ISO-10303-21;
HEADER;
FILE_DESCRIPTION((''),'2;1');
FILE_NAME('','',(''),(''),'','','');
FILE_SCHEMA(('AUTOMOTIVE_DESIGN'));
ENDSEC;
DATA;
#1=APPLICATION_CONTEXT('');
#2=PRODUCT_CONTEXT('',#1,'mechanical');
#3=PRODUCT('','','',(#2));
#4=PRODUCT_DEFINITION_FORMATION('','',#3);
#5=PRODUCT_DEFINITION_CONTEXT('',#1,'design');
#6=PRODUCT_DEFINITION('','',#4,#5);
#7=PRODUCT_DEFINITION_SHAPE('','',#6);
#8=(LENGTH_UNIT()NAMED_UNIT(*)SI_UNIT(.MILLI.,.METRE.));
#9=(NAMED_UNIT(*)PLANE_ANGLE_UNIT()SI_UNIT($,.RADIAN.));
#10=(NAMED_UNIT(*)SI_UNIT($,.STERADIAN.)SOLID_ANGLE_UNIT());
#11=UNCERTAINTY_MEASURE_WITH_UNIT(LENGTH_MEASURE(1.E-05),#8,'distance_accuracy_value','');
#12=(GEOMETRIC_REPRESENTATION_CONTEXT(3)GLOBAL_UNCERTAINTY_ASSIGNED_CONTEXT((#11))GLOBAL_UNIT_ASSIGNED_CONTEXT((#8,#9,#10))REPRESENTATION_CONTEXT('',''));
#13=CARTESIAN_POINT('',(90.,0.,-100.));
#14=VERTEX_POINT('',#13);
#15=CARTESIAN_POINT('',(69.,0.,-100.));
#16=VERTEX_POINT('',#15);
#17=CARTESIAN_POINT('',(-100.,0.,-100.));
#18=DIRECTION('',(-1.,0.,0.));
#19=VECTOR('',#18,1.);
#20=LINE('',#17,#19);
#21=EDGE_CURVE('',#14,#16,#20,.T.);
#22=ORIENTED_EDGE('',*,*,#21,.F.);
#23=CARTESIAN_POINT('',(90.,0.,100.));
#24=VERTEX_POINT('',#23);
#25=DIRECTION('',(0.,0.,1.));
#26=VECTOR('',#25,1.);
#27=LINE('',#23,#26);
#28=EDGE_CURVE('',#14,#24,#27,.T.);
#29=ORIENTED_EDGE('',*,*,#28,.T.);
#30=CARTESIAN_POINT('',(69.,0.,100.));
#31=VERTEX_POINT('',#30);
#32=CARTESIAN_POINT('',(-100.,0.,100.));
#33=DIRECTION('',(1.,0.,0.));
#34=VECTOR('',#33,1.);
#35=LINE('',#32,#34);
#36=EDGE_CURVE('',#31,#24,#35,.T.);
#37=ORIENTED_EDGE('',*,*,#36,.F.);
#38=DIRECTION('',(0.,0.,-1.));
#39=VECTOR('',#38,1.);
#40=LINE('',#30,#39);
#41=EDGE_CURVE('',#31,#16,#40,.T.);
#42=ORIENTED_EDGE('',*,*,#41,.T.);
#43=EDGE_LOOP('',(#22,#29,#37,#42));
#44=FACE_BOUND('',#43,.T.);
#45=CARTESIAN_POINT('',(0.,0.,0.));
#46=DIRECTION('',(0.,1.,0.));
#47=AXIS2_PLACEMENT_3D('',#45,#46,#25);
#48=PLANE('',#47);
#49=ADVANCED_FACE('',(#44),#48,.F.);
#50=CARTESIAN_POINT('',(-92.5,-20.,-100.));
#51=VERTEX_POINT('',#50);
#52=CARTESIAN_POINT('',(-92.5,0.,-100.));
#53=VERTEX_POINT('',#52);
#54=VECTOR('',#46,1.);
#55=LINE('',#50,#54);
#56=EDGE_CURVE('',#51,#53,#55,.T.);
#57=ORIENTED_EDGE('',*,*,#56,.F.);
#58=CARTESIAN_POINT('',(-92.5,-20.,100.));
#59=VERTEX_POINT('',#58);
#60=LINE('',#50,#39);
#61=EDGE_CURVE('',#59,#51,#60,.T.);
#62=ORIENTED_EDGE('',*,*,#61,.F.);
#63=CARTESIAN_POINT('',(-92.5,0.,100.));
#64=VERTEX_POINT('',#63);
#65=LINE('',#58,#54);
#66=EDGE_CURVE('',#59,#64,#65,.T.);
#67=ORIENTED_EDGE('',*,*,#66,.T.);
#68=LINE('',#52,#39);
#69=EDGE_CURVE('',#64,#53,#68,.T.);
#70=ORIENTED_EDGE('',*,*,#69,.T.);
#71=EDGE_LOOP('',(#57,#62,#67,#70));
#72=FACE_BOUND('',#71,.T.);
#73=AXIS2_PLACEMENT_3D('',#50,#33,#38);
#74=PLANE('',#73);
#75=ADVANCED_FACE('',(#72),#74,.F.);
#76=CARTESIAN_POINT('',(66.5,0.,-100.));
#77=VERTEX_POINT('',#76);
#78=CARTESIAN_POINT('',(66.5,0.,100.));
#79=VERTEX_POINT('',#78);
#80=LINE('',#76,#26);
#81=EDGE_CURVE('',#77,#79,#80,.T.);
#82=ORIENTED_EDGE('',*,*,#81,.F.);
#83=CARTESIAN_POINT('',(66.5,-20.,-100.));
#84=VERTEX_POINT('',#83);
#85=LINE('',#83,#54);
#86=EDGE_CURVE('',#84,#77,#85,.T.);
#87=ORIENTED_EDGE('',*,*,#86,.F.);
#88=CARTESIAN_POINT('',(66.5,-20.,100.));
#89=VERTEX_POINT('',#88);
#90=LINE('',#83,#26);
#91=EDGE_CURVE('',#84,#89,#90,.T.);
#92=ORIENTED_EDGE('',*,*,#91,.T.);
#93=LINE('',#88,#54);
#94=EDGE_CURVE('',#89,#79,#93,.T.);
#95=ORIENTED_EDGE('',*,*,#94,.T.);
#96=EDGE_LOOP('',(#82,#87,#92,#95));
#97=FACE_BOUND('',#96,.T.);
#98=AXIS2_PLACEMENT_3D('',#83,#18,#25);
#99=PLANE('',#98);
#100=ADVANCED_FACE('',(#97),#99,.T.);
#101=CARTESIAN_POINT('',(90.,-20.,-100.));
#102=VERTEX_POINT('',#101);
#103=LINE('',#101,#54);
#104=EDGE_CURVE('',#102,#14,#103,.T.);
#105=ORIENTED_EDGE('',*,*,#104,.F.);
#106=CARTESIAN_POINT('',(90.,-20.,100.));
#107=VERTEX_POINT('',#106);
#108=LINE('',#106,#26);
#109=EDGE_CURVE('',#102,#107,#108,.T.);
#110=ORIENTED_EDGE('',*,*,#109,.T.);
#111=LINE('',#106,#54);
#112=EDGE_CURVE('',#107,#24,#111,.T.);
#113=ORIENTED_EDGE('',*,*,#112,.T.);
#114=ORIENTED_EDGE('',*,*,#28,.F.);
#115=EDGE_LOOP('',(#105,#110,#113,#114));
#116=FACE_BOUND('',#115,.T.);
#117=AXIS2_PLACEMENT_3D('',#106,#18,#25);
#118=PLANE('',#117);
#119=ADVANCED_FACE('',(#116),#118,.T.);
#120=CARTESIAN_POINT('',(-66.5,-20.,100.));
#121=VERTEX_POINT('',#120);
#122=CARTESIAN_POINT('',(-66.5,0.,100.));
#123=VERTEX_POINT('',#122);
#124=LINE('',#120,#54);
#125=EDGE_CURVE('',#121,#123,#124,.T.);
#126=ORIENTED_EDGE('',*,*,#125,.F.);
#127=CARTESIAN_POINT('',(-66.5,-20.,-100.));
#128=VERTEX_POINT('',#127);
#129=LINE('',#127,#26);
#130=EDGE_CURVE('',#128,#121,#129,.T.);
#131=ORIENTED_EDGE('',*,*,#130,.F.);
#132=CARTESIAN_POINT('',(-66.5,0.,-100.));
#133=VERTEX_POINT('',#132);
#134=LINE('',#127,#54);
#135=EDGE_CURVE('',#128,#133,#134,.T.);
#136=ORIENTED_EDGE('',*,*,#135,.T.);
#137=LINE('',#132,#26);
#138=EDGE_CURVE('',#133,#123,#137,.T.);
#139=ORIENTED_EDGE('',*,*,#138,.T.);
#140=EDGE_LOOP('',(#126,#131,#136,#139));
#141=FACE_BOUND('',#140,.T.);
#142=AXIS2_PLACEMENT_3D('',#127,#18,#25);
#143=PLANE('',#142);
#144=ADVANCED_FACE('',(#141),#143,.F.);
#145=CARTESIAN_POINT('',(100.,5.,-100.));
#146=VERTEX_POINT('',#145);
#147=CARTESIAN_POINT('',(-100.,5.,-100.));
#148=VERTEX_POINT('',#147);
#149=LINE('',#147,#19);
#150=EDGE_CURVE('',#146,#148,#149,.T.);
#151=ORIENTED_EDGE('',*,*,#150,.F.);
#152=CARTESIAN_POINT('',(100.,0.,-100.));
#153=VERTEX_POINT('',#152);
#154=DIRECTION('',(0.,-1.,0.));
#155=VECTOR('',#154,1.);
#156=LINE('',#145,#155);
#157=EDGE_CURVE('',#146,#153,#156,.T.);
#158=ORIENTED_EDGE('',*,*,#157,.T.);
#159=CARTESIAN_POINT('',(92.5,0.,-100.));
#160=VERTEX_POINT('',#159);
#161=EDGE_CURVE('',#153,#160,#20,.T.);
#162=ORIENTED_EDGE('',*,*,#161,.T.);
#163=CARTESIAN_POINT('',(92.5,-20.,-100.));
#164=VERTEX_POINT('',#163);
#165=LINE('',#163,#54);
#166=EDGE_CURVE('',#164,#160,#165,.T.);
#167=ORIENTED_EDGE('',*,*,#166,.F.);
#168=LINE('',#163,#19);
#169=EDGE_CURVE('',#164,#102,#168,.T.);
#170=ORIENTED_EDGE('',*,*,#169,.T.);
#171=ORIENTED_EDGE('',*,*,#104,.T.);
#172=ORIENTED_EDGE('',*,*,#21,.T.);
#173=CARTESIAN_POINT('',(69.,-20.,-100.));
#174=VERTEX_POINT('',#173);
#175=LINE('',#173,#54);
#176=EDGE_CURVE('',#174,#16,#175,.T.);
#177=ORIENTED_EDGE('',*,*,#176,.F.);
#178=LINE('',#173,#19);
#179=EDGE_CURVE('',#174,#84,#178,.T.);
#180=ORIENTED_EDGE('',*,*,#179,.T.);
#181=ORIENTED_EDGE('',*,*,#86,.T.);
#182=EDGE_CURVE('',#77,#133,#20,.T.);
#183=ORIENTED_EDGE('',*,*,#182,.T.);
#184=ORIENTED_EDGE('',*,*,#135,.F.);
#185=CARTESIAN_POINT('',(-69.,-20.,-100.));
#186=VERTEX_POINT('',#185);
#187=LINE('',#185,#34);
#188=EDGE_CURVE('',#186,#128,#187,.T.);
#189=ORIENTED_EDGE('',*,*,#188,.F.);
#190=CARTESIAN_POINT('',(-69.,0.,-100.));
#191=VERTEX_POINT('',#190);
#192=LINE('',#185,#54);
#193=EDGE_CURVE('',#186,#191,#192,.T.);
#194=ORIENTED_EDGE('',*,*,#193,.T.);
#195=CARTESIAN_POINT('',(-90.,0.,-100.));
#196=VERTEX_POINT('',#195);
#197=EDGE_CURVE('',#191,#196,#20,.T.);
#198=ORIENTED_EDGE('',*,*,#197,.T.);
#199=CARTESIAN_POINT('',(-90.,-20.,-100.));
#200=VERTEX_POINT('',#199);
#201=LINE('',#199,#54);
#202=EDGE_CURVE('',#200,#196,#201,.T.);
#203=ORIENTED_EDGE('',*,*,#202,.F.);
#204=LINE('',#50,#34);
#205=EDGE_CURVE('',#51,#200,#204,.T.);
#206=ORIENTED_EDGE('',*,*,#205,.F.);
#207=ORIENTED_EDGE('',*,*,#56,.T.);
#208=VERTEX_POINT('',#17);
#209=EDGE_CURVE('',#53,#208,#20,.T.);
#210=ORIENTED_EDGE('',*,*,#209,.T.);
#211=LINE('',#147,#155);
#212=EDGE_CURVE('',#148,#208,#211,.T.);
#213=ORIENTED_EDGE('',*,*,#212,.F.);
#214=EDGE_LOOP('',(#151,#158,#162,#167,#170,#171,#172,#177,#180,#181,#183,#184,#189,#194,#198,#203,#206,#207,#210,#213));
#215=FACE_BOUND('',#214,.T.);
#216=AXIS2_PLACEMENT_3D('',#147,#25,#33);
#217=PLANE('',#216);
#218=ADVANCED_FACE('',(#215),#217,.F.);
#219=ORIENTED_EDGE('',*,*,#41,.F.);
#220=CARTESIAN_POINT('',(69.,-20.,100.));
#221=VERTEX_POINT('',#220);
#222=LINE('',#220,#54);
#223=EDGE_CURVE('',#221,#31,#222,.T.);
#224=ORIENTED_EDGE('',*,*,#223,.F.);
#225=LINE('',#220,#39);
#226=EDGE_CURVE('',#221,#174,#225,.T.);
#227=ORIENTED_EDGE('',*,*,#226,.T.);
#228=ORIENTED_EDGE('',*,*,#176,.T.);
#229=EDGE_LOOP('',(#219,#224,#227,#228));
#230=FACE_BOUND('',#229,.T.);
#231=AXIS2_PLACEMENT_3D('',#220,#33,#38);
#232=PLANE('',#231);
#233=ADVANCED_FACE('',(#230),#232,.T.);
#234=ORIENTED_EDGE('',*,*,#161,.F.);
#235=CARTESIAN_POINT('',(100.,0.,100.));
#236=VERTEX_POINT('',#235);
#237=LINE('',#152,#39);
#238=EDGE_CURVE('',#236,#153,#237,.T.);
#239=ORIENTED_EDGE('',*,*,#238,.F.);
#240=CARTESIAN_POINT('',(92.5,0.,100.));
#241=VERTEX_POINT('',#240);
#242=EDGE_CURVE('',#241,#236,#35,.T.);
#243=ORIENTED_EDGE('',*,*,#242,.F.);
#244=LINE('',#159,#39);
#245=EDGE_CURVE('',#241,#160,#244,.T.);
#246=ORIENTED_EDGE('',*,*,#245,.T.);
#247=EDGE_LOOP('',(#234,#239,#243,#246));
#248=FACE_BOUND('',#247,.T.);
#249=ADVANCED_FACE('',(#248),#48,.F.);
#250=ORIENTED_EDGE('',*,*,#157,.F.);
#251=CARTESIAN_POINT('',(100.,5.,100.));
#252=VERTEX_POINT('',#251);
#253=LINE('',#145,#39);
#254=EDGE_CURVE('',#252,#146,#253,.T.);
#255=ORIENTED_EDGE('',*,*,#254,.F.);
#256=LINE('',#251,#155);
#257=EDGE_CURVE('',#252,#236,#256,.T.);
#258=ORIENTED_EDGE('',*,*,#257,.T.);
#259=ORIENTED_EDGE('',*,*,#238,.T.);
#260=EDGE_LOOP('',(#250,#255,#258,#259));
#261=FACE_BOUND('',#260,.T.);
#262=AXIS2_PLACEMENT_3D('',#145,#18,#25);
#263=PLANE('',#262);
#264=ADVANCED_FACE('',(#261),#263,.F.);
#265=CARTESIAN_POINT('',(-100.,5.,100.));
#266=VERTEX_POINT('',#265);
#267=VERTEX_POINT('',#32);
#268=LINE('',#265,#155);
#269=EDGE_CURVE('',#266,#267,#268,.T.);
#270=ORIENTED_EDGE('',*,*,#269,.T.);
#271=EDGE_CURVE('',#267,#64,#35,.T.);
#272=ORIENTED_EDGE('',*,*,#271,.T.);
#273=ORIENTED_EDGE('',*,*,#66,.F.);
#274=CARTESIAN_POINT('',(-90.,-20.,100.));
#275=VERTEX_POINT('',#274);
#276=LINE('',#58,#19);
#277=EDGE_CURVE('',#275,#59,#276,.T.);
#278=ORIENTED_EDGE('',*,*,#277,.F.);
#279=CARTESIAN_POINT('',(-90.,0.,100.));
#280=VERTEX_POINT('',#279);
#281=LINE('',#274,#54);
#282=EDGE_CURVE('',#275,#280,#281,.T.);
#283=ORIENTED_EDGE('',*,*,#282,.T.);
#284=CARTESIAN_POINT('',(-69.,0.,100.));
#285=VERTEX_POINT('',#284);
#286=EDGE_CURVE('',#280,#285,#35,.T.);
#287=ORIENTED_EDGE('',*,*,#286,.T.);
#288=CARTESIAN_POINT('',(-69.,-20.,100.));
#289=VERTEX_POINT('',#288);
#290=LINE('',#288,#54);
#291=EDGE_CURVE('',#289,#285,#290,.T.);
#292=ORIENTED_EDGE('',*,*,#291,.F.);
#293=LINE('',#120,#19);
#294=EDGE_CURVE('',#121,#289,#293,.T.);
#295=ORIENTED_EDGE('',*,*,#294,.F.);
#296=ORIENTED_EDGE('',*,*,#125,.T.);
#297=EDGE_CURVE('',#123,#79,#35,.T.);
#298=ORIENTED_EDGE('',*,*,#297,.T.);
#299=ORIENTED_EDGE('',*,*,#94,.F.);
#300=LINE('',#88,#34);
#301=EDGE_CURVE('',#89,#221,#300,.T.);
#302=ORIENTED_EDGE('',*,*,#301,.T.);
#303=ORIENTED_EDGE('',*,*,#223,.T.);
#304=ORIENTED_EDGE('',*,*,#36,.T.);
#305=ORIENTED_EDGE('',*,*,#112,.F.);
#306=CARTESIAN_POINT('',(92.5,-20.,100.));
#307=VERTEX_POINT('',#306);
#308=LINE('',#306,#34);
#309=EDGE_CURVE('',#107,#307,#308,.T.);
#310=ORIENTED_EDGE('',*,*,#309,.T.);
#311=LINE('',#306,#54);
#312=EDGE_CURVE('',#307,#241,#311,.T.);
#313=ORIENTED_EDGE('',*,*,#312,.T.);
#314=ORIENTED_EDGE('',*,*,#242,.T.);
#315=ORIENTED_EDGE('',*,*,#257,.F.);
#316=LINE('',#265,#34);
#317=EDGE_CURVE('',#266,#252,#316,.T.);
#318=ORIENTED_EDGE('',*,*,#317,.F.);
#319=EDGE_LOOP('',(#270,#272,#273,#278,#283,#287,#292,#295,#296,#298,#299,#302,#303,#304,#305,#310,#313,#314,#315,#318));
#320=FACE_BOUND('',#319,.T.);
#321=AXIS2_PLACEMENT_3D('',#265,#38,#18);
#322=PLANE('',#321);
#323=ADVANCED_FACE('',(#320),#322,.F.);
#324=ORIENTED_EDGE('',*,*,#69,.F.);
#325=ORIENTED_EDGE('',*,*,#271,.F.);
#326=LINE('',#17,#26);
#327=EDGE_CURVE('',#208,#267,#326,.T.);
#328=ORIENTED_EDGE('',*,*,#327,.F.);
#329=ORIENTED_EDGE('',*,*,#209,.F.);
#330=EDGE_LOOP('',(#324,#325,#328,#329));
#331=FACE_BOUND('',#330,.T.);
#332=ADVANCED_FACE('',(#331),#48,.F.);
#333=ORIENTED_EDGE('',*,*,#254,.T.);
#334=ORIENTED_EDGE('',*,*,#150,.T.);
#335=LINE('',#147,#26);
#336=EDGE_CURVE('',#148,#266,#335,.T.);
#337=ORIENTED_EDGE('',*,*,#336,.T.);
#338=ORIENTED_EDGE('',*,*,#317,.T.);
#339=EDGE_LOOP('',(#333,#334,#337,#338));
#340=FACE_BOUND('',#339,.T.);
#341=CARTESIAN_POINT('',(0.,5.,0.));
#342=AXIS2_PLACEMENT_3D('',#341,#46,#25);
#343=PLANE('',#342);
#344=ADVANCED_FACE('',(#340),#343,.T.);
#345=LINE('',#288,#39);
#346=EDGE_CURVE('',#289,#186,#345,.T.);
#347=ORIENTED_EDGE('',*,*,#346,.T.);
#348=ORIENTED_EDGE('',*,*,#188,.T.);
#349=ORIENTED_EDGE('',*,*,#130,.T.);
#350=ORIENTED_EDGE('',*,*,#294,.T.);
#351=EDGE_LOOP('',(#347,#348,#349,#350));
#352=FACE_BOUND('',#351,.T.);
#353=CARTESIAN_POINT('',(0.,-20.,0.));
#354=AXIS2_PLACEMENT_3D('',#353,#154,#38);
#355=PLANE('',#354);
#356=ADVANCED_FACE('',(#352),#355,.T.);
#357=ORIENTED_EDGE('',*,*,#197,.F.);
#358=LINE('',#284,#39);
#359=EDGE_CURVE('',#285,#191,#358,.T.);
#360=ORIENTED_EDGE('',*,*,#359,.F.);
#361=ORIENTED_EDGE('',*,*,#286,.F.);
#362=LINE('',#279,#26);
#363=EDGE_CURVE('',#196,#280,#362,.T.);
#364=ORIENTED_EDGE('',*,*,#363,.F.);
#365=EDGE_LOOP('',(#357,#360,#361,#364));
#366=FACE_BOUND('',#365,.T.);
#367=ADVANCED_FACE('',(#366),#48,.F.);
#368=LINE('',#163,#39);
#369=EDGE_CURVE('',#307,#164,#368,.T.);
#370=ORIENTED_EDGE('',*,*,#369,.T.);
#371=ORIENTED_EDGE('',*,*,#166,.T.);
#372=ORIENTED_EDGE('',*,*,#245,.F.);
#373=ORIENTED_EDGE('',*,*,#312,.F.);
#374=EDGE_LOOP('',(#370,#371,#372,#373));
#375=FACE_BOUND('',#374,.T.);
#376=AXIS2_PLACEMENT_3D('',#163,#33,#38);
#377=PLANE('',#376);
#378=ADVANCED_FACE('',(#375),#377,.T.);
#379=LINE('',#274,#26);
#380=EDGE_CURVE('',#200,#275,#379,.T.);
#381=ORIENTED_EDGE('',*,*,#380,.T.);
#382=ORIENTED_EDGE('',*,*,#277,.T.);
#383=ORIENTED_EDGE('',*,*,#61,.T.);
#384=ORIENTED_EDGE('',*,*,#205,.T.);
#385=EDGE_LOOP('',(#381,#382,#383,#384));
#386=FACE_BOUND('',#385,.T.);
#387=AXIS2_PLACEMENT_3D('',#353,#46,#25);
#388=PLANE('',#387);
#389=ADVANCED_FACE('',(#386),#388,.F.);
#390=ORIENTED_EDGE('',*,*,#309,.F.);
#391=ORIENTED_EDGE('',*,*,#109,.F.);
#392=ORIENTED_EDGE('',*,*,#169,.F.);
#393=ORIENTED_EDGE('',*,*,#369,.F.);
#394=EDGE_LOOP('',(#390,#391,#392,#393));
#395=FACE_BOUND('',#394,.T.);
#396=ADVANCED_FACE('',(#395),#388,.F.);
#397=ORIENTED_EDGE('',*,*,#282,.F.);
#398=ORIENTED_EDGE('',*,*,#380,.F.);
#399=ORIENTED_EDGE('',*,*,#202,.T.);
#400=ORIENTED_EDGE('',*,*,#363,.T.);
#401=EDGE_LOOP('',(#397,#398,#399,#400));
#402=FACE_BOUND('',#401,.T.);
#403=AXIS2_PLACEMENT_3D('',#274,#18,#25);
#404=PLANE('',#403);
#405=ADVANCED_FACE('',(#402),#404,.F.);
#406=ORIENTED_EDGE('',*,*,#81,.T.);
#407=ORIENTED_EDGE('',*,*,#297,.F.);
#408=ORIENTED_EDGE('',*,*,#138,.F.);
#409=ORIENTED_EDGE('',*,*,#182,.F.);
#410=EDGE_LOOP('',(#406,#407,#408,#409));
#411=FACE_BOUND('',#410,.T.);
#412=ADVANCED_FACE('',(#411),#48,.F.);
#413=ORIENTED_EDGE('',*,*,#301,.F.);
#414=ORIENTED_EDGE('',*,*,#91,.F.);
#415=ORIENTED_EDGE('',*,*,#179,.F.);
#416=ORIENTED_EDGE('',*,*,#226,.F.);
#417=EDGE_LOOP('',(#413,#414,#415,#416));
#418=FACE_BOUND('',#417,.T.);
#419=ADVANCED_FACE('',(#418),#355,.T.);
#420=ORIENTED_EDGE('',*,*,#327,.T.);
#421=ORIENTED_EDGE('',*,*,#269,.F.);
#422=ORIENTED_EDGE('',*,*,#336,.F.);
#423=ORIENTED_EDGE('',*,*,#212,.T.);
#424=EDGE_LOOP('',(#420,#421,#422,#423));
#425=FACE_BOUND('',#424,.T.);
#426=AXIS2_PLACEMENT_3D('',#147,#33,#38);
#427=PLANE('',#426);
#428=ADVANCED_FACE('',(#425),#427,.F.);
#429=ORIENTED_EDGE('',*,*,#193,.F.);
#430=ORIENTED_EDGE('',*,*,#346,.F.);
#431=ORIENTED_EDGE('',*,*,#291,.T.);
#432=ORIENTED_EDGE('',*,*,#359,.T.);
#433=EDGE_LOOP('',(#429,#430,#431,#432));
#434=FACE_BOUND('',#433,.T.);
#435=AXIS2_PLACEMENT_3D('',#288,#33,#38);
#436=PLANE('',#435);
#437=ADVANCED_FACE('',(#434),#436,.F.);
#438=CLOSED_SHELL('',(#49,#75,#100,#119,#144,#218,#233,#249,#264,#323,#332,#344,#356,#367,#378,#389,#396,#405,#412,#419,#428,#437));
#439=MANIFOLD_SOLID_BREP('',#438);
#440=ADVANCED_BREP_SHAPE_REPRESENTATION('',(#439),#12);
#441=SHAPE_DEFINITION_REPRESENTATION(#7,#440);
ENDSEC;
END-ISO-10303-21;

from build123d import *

# Parameters (mm, degrees)
SKETCH_1_W      = 200
SKETCH_1_H      = 200
EXTRUDE_1_DEPTH = 5
SKETCH_2_W      = 2.5
SKETCH_2_H      = 200
EXTRUDE_2_DEPTH = 20


with BuildPart() as part:
    # 草图1 → 凸台-拉伸1 (new body)
    with BuildSketch(Plane(origin=(0, 0, 0), x_dir=(1, 0, 0), z_dir=(0, 1, 0))):
        Rectangle(SKETCH_1_W, SKETCH_1_H)
    extrude(amount=EXTRUDE_1_DEPTH)

    # 草图2 → 凸台-拉伸2 (add)
    with BuildSketch(Plane.XZ):
        with Locations((-67.75, 0)):
            Rectangle(SKETCH_2_W, SKETCH_2_H)
        with Locations((-91.25, 0)):
            Rectangle(SKETCH_2_W, SKETCH_2_H)
    extrude_2 = extrude(amount=EXTRUDE_2_DEPTH)

    # 镜向1: 凸台-拉伸2 across plane
    add(extrude_2.mirror(Plane(origin=(0, 0, 0), x_dir=(0, 0, 1), z_dir=(1, 0, 0))))


solid = part.part
